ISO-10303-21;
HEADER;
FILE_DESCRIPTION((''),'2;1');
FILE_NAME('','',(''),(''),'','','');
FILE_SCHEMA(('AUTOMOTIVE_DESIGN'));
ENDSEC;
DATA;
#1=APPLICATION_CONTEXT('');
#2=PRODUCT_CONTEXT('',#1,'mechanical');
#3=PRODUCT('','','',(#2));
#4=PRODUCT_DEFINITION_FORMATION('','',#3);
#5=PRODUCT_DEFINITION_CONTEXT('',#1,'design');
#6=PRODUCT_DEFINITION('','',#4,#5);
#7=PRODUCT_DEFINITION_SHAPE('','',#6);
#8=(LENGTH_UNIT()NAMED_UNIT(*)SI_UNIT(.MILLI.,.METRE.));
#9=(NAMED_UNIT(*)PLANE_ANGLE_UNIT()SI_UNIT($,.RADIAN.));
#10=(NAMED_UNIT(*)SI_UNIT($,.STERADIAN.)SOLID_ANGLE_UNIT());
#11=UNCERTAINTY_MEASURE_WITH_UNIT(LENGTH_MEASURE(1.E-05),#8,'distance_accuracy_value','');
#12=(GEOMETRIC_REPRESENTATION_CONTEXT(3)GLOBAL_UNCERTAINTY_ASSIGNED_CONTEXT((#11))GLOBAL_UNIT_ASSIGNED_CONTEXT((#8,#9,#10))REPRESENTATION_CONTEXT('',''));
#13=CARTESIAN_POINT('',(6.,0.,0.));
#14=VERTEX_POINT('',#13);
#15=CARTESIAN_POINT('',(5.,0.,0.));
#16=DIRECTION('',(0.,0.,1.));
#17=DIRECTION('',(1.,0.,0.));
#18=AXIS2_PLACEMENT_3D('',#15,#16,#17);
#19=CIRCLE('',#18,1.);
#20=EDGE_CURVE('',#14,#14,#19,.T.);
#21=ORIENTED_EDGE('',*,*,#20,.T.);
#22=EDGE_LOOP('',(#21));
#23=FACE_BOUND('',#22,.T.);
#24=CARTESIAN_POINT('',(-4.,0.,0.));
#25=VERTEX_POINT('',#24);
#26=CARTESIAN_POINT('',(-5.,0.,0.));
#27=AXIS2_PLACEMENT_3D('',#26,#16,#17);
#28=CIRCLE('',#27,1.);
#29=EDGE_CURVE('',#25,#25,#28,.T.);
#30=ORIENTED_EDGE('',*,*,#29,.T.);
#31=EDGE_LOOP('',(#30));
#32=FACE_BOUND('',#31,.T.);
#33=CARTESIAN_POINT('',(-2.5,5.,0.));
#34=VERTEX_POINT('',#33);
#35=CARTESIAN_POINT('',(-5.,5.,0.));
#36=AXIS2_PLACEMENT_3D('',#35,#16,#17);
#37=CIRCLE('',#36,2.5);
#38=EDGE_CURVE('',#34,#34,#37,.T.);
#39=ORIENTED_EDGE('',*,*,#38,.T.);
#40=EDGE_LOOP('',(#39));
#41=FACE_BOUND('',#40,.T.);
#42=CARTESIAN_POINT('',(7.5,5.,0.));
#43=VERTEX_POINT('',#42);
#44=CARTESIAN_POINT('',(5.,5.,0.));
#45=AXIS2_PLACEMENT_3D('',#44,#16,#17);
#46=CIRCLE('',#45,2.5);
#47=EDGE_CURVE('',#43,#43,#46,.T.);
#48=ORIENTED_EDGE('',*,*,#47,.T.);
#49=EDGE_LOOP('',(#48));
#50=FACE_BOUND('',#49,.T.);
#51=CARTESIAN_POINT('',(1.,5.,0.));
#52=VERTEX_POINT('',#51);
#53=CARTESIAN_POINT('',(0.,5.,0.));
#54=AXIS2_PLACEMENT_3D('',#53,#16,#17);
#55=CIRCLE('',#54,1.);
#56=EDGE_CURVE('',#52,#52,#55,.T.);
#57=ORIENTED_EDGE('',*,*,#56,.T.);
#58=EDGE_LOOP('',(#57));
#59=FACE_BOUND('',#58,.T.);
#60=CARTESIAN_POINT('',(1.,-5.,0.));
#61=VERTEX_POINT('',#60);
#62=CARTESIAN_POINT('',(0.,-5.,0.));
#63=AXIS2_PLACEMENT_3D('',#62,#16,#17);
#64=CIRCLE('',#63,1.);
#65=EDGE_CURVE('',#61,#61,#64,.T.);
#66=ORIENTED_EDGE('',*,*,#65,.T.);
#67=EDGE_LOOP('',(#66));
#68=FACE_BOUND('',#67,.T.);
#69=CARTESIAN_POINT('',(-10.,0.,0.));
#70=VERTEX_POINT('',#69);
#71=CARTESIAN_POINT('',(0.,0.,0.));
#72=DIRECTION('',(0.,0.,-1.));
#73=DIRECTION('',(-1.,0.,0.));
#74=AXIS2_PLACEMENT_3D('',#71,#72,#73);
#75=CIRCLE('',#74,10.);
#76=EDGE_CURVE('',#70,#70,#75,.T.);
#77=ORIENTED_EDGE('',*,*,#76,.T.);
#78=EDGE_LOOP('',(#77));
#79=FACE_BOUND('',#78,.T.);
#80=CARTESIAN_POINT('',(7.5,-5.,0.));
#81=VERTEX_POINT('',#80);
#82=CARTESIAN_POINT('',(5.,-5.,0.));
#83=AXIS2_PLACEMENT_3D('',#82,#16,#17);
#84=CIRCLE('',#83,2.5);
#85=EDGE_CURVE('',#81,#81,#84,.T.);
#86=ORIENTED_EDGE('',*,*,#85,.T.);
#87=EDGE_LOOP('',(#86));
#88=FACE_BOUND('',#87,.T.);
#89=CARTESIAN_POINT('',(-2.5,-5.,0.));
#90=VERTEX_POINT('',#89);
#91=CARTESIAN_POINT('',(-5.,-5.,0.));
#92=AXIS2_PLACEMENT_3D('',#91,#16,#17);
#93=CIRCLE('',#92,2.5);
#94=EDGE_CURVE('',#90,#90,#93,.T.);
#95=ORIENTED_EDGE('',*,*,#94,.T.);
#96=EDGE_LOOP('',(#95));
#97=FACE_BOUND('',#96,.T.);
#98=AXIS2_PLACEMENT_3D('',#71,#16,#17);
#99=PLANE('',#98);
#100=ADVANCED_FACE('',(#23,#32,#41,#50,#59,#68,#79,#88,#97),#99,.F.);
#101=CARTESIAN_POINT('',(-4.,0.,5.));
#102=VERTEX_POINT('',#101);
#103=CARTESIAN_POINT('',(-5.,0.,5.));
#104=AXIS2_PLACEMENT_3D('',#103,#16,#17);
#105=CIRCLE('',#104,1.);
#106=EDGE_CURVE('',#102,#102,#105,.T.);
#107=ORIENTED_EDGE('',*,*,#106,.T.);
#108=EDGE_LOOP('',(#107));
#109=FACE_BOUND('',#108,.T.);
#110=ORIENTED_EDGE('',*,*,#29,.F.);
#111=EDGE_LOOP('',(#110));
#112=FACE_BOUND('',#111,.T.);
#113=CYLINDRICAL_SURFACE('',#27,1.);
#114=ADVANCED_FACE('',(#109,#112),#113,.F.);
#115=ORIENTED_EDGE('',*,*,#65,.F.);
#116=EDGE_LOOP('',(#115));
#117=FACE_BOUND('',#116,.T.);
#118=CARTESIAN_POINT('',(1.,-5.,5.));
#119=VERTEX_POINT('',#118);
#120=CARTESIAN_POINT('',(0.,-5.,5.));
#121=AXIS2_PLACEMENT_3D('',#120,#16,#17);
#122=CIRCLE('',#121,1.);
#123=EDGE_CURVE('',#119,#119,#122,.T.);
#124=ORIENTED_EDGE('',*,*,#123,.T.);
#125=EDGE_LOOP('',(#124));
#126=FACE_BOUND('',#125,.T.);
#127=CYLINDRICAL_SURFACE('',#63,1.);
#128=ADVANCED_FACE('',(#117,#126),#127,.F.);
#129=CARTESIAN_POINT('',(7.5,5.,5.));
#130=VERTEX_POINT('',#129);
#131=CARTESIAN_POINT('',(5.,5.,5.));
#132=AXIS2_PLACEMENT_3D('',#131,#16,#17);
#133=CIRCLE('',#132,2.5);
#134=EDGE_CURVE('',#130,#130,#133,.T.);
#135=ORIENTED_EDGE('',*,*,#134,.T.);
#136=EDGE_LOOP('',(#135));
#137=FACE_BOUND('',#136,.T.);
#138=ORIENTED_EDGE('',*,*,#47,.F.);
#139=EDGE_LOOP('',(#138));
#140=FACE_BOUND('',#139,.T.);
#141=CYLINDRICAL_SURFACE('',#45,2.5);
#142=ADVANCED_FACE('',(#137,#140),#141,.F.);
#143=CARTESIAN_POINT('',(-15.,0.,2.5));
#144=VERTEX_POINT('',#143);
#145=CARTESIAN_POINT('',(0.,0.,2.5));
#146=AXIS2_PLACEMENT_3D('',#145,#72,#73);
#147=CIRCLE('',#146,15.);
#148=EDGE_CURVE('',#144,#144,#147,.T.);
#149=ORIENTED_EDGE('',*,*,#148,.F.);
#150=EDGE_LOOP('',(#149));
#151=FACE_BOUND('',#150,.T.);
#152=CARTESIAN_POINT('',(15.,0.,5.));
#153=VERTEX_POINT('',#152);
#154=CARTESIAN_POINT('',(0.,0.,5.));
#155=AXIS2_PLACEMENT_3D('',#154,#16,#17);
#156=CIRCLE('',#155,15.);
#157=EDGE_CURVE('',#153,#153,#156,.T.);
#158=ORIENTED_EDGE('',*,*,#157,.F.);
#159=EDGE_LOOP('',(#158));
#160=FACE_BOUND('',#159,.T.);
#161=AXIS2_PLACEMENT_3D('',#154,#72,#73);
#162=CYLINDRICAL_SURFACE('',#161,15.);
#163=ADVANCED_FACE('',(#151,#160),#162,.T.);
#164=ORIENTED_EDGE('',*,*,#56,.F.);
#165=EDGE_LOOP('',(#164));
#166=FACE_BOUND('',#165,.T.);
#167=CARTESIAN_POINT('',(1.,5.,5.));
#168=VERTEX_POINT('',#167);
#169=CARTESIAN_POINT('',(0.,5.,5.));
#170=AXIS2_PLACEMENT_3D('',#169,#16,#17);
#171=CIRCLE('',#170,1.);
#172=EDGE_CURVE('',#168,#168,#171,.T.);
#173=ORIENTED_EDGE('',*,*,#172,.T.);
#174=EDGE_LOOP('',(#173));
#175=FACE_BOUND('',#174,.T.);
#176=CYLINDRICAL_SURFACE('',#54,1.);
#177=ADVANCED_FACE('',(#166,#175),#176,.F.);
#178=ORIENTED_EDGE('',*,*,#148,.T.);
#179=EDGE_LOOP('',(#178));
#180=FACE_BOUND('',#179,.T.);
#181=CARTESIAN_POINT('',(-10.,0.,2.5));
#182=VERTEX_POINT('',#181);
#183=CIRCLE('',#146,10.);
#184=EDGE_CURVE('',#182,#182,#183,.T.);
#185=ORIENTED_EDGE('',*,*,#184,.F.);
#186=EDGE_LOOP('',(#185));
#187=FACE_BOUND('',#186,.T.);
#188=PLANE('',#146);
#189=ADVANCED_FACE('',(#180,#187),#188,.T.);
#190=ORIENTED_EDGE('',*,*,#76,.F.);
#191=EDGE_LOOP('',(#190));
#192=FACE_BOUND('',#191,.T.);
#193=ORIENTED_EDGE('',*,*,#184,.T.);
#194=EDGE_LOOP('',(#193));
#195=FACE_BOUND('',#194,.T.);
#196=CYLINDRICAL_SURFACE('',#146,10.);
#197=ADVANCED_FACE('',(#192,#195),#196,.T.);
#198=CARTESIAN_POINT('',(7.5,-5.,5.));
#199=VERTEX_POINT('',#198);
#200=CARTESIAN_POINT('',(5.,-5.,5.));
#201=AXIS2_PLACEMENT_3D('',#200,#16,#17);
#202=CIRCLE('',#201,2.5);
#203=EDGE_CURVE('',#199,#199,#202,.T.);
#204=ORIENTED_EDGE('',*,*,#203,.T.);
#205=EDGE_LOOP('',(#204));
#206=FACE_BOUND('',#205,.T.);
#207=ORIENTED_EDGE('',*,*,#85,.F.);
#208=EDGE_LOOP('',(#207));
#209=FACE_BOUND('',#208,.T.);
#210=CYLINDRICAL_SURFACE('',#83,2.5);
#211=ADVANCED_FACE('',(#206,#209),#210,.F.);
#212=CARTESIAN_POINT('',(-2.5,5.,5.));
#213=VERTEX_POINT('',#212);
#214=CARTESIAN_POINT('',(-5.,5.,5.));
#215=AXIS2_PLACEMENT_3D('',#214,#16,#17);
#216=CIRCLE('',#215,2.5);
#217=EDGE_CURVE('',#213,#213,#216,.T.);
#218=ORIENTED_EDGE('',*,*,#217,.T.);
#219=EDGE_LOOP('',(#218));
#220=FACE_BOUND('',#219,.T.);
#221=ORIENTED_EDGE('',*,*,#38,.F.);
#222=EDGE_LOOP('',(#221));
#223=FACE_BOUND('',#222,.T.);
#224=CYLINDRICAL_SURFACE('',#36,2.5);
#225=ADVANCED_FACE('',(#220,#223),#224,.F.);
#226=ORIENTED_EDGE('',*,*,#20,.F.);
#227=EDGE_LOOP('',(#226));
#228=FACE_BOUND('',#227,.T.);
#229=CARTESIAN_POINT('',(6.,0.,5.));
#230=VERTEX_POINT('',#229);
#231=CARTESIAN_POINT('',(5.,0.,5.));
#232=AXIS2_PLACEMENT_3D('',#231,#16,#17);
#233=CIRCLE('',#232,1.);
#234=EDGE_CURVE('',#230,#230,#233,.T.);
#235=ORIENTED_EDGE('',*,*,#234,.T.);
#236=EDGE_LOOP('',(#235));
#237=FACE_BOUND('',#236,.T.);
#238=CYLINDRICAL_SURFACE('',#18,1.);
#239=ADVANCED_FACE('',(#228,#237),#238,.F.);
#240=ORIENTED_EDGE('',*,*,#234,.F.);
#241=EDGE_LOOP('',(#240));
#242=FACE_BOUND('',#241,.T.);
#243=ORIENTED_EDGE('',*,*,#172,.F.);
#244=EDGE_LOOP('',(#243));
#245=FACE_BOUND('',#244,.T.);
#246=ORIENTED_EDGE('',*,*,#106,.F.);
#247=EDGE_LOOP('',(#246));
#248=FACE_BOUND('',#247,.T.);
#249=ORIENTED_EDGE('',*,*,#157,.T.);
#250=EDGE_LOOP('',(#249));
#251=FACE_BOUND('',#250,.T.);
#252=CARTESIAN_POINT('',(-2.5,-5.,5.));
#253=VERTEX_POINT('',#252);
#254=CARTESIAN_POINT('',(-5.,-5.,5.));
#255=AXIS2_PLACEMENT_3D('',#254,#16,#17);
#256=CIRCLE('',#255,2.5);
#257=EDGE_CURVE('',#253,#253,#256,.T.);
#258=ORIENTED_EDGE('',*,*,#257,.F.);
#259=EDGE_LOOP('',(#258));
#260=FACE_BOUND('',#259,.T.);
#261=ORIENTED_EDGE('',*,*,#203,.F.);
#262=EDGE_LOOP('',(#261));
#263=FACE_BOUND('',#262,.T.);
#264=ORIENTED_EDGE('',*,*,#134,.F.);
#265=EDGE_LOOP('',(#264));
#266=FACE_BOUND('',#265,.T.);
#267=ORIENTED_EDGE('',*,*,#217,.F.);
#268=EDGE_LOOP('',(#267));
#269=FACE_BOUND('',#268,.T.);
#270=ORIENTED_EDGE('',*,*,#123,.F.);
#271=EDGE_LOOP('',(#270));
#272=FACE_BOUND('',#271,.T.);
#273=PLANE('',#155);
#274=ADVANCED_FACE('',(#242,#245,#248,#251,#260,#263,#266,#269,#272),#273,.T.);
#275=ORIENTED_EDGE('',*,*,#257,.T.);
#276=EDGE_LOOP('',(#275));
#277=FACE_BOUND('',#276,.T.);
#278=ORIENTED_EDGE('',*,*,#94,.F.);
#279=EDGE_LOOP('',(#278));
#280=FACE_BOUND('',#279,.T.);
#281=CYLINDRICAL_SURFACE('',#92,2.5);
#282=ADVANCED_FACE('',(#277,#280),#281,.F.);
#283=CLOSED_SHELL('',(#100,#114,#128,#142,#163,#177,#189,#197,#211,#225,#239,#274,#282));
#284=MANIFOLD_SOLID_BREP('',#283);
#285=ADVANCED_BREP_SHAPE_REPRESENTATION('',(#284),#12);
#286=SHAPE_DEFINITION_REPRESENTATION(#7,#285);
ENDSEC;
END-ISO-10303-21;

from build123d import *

# Parameters (mm, degrees)
SKETCH1_R              = 15
BODY_DEPTH             = 5
SKETCH2_R              = 15
SKETCH2_R_2            = 10
SLEW_BEARING_LIP_DEPTH = 2.5
SKETCH3_R              = 2.5
CUT_EXTRUDE2_DEPTH     = 22.794494718
SKETCH4_R              = 1
CUT_EXTRUDE3_DEPTH     = 22.794494718


with BuildPart() as part:
    # Sketch1 → body (new body)
    with BuildSketch(Plane.XY):
        Circle(SKETCH1_R)
    extrude(amount=BODY_DEPTH)

    # Sketch2 → slew bearing lip (cut)
    with BuildSketch(Plane(origin=(0, 0, 0), x_dir=(-1, 0, 0), z_dir=(0, 0, -1))):
        Circle(SKETCH2_R)
        Circle(SKETCH2_R_2, mode=Mode.SUBTRACT)
    extrude(amount=-SLEW_BEARING_LIP_DEPTH, mode=Mode.SUBTRACT)

    # Sketch3 → Cut-Extrude2 (cut, through all)
    with BuildSketch(Plane.XY.offset(5)):
        with Locations((-5, 5)):
            Circle(SKETCH3_R)
        with Locations((5, 5)):
            Circle(SKETCH3_R)
        with Locations((5, -5)):
            Circle(SKETCH3_R)
        with Locations((-5, -5)):
            Circle(SKETCH3_R)
    extrude(amount=-CUT_EXTRUDE2_DEPTH, mode=Mode.SUBTRACT)

    # Sketch4 → Cut-Extrude3 (cut, through all)
    with BuildSketch(Plane.XY.offset(5)):
        with Locations((0, 5)):
            Circle(SKETCH4_R)
        with Locations((5, 0)):
            Circle(SKETCH4_R)
        with Locations((0, -5)):
            Circle(SKETCH4_R)
        with Locations((-5, 0)):
            Circle(SKETCH4_R)
    extrude(amount=-CUT_EXTRUDE3_DEPTH, mode=Mode.SUBTRACT)


solid = part.part
